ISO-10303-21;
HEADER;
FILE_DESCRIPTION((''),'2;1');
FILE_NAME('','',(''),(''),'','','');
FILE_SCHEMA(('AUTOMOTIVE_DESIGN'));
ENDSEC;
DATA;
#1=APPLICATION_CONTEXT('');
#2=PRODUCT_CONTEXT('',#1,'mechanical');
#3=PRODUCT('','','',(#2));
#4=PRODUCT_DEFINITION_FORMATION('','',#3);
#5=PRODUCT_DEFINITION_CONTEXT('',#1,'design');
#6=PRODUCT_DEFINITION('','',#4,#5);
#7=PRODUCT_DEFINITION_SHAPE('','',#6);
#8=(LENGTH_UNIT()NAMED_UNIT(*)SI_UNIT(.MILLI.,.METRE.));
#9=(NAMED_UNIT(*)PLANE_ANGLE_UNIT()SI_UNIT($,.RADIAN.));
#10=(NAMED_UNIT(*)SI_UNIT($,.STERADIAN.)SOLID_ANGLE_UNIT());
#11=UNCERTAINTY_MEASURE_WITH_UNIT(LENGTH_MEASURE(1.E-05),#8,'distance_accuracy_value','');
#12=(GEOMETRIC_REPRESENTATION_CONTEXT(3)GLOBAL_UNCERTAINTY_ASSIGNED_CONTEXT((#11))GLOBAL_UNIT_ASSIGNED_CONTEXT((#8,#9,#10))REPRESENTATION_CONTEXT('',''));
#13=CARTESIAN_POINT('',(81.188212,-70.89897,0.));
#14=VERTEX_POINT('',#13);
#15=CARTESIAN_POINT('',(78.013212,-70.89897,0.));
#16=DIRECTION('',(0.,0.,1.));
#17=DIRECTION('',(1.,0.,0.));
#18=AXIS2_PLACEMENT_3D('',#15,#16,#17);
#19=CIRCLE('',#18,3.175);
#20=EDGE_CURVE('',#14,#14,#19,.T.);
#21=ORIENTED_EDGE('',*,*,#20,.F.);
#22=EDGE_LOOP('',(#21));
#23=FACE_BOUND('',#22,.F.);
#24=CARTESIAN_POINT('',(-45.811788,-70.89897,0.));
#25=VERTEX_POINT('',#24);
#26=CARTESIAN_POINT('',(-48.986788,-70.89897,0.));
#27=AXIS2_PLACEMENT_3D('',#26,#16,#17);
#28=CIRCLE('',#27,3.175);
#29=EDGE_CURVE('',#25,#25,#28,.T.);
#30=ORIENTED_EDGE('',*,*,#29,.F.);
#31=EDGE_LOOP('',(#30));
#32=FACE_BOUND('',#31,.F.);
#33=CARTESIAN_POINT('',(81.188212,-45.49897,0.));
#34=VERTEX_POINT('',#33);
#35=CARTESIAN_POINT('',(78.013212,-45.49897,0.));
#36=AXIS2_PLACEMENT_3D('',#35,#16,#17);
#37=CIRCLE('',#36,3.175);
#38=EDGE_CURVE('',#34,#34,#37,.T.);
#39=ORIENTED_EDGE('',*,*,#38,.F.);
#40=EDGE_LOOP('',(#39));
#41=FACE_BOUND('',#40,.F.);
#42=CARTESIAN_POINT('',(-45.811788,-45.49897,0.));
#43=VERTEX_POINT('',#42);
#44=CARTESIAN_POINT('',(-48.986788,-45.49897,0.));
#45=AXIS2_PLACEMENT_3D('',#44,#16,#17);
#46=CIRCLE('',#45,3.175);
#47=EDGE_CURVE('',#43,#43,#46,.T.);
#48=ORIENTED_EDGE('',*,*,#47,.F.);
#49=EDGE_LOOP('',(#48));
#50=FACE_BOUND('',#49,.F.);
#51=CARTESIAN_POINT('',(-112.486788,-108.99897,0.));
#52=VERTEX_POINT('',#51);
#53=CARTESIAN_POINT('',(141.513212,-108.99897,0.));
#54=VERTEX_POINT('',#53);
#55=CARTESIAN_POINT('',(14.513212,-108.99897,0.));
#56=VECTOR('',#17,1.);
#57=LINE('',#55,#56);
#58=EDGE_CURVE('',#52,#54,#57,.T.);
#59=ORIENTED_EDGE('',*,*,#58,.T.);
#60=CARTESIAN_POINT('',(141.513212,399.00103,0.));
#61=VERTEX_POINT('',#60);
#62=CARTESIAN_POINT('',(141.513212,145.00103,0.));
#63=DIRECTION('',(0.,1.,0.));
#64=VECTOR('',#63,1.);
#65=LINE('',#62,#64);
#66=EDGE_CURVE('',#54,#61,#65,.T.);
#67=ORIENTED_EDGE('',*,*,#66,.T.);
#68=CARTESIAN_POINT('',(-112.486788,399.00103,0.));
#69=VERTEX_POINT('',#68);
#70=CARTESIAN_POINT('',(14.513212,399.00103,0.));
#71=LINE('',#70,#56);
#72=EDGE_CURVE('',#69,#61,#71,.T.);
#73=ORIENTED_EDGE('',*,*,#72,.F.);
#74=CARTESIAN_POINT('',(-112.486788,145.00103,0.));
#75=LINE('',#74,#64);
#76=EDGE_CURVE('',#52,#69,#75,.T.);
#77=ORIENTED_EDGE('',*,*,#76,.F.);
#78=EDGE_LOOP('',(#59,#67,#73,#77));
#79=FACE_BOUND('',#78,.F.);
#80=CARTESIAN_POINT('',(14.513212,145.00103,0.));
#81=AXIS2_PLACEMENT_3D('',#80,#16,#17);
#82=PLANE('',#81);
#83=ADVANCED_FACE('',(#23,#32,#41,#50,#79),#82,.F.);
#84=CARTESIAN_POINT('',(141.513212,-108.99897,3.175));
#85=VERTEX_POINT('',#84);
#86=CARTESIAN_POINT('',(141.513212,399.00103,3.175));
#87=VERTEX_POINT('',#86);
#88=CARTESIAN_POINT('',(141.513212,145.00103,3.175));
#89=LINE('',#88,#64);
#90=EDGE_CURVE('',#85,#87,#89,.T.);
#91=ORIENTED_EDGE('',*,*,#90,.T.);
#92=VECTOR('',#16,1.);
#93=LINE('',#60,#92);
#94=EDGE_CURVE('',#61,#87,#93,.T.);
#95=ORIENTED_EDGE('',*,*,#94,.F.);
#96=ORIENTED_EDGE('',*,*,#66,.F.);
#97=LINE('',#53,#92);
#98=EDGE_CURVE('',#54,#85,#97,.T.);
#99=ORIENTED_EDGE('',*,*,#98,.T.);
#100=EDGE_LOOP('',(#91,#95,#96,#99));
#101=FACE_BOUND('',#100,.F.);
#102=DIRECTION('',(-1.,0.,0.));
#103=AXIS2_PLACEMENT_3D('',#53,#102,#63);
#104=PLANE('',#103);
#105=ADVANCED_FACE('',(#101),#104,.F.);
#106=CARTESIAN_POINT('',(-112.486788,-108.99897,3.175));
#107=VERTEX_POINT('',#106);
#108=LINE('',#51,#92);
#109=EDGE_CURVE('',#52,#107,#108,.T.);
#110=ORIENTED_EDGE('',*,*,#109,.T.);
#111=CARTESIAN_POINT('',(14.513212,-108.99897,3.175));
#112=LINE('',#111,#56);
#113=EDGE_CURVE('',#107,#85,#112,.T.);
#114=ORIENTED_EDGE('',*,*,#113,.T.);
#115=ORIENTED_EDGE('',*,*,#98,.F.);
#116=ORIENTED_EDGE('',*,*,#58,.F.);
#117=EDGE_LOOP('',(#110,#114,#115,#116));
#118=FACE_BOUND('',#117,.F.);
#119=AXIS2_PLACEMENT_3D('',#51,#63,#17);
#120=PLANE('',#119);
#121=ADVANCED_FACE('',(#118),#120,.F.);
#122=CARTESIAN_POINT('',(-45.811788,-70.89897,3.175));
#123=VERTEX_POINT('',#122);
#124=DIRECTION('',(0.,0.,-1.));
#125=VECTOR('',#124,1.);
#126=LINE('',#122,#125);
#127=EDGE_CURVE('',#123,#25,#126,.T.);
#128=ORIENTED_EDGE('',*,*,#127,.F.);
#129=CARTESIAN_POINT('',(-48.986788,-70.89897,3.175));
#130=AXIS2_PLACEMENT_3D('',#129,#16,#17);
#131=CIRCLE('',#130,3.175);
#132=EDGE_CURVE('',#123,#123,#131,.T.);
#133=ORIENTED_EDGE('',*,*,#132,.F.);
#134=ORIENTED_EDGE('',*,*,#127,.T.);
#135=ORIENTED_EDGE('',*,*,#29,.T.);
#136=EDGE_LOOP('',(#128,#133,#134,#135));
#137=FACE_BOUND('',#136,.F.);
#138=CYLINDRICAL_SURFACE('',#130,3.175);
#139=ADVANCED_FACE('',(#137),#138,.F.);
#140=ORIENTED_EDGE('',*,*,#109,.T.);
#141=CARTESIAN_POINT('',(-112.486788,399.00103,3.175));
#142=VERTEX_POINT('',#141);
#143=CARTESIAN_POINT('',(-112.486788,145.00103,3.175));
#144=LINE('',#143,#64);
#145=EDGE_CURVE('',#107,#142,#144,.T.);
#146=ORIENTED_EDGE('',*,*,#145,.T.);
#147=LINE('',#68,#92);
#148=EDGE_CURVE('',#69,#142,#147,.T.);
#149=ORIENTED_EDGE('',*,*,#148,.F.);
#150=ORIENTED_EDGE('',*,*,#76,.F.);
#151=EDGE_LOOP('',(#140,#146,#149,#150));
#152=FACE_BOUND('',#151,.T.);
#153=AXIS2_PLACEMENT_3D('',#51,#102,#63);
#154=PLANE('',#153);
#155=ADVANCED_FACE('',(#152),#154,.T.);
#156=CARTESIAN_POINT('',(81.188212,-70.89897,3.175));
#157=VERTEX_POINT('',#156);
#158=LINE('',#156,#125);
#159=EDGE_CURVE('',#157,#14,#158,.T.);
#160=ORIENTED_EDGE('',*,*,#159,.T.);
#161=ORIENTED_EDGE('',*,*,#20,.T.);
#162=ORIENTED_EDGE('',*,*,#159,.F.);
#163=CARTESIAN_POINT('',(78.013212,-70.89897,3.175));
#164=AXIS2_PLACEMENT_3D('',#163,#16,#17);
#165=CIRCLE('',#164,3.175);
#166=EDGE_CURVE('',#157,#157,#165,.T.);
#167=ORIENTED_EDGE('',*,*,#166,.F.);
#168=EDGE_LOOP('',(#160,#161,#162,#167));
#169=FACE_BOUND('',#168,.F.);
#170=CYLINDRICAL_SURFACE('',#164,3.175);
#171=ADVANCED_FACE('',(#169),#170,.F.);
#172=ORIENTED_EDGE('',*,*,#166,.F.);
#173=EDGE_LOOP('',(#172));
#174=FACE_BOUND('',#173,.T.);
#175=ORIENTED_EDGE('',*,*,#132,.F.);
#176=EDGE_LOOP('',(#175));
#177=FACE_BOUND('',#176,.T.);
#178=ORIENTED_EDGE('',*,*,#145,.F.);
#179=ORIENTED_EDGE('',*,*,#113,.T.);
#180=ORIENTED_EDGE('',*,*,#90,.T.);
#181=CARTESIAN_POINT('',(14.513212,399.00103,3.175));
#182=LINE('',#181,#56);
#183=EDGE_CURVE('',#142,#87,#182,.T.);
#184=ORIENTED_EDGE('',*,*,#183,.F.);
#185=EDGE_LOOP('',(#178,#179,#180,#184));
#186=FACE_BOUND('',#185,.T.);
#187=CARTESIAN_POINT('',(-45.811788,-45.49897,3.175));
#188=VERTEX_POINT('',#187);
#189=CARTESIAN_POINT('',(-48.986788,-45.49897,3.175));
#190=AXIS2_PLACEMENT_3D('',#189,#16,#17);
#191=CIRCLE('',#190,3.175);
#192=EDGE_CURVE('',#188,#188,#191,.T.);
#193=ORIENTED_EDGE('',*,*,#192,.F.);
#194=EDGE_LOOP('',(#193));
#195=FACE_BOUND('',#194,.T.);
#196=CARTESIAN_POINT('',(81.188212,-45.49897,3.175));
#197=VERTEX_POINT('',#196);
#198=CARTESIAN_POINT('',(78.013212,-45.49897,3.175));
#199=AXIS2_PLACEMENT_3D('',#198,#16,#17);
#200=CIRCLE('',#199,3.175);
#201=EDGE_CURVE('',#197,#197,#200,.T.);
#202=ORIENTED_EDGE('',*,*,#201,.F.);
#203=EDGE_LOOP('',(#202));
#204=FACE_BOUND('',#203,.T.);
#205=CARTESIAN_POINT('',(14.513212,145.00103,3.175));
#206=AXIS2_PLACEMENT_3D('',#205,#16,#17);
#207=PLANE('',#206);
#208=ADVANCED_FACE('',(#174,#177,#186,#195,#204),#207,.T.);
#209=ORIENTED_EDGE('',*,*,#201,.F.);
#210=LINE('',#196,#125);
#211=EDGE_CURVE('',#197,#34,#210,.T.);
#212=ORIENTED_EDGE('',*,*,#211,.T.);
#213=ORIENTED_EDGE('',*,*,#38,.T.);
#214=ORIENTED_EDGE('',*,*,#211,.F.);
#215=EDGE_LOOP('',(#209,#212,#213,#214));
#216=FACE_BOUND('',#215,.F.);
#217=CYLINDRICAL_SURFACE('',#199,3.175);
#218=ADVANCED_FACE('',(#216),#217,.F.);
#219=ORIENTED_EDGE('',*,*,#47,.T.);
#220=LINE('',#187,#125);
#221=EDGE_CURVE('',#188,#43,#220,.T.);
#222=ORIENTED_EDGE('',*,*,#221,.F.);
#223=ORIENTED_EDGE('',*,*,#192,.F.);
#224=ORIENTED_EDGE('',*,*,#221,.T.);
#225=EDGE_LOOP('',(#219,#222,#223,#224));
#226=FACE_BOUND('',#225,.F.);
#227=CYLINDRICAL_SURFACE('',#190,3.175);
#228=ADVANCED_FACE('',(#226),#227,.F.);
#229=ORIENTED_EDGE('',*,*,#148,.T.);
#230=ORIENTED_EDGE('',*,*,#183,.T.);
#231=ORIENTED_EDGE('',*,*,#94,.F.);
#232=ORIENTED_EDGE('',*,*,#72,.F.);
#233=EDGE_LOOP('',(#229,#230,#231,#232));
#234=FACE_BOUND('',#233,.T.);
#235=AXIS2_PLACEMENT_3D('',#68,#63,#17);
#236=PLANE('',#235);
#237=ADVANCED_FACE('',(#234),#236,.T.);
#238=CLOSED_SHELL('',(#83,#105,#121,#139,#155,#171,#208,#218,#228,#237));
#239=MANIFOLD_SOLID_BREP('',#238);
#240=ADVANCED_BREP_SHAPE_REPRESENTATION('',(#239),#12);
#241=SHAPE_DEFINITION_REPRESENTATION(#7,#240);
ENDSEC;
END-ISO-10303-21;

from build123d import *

# Parameters (mm, degrees)
F0_W     = 254
F0_H     = 508
F1_DEPTH = 3.175
F2_R     = 3.175
F3_DEPTH = 3.176


with BuildPart() as f1:
    # F0 (on Top) → F1 (new body)
    with BuildSketch(Plane.XY):
        with Locations((14.513212, 145.00103)):
            Rectangle(F0_W, F0_H)
    extrude(amount=F1_DEPTH)

    # F2 (on face) → F3 (cut, through all)
    with BuildSketch(Plane.XY.offset(3.175)):
        with Locations((-48.986788, -45.49897)):
            Circle(F2_R)
        with Locations((78.013212, -45.49897)):
            Circle(F2_R)
        with Locations((-48.986788, -70.89897)):
            Circle(F2_R)
        with Locations((78.013212, -70.89897)):
            Circle(F2_R)
    extrude(amount=-F3_DEPTH, mode=Mode.SUBTRACT)


solid = f1.part
